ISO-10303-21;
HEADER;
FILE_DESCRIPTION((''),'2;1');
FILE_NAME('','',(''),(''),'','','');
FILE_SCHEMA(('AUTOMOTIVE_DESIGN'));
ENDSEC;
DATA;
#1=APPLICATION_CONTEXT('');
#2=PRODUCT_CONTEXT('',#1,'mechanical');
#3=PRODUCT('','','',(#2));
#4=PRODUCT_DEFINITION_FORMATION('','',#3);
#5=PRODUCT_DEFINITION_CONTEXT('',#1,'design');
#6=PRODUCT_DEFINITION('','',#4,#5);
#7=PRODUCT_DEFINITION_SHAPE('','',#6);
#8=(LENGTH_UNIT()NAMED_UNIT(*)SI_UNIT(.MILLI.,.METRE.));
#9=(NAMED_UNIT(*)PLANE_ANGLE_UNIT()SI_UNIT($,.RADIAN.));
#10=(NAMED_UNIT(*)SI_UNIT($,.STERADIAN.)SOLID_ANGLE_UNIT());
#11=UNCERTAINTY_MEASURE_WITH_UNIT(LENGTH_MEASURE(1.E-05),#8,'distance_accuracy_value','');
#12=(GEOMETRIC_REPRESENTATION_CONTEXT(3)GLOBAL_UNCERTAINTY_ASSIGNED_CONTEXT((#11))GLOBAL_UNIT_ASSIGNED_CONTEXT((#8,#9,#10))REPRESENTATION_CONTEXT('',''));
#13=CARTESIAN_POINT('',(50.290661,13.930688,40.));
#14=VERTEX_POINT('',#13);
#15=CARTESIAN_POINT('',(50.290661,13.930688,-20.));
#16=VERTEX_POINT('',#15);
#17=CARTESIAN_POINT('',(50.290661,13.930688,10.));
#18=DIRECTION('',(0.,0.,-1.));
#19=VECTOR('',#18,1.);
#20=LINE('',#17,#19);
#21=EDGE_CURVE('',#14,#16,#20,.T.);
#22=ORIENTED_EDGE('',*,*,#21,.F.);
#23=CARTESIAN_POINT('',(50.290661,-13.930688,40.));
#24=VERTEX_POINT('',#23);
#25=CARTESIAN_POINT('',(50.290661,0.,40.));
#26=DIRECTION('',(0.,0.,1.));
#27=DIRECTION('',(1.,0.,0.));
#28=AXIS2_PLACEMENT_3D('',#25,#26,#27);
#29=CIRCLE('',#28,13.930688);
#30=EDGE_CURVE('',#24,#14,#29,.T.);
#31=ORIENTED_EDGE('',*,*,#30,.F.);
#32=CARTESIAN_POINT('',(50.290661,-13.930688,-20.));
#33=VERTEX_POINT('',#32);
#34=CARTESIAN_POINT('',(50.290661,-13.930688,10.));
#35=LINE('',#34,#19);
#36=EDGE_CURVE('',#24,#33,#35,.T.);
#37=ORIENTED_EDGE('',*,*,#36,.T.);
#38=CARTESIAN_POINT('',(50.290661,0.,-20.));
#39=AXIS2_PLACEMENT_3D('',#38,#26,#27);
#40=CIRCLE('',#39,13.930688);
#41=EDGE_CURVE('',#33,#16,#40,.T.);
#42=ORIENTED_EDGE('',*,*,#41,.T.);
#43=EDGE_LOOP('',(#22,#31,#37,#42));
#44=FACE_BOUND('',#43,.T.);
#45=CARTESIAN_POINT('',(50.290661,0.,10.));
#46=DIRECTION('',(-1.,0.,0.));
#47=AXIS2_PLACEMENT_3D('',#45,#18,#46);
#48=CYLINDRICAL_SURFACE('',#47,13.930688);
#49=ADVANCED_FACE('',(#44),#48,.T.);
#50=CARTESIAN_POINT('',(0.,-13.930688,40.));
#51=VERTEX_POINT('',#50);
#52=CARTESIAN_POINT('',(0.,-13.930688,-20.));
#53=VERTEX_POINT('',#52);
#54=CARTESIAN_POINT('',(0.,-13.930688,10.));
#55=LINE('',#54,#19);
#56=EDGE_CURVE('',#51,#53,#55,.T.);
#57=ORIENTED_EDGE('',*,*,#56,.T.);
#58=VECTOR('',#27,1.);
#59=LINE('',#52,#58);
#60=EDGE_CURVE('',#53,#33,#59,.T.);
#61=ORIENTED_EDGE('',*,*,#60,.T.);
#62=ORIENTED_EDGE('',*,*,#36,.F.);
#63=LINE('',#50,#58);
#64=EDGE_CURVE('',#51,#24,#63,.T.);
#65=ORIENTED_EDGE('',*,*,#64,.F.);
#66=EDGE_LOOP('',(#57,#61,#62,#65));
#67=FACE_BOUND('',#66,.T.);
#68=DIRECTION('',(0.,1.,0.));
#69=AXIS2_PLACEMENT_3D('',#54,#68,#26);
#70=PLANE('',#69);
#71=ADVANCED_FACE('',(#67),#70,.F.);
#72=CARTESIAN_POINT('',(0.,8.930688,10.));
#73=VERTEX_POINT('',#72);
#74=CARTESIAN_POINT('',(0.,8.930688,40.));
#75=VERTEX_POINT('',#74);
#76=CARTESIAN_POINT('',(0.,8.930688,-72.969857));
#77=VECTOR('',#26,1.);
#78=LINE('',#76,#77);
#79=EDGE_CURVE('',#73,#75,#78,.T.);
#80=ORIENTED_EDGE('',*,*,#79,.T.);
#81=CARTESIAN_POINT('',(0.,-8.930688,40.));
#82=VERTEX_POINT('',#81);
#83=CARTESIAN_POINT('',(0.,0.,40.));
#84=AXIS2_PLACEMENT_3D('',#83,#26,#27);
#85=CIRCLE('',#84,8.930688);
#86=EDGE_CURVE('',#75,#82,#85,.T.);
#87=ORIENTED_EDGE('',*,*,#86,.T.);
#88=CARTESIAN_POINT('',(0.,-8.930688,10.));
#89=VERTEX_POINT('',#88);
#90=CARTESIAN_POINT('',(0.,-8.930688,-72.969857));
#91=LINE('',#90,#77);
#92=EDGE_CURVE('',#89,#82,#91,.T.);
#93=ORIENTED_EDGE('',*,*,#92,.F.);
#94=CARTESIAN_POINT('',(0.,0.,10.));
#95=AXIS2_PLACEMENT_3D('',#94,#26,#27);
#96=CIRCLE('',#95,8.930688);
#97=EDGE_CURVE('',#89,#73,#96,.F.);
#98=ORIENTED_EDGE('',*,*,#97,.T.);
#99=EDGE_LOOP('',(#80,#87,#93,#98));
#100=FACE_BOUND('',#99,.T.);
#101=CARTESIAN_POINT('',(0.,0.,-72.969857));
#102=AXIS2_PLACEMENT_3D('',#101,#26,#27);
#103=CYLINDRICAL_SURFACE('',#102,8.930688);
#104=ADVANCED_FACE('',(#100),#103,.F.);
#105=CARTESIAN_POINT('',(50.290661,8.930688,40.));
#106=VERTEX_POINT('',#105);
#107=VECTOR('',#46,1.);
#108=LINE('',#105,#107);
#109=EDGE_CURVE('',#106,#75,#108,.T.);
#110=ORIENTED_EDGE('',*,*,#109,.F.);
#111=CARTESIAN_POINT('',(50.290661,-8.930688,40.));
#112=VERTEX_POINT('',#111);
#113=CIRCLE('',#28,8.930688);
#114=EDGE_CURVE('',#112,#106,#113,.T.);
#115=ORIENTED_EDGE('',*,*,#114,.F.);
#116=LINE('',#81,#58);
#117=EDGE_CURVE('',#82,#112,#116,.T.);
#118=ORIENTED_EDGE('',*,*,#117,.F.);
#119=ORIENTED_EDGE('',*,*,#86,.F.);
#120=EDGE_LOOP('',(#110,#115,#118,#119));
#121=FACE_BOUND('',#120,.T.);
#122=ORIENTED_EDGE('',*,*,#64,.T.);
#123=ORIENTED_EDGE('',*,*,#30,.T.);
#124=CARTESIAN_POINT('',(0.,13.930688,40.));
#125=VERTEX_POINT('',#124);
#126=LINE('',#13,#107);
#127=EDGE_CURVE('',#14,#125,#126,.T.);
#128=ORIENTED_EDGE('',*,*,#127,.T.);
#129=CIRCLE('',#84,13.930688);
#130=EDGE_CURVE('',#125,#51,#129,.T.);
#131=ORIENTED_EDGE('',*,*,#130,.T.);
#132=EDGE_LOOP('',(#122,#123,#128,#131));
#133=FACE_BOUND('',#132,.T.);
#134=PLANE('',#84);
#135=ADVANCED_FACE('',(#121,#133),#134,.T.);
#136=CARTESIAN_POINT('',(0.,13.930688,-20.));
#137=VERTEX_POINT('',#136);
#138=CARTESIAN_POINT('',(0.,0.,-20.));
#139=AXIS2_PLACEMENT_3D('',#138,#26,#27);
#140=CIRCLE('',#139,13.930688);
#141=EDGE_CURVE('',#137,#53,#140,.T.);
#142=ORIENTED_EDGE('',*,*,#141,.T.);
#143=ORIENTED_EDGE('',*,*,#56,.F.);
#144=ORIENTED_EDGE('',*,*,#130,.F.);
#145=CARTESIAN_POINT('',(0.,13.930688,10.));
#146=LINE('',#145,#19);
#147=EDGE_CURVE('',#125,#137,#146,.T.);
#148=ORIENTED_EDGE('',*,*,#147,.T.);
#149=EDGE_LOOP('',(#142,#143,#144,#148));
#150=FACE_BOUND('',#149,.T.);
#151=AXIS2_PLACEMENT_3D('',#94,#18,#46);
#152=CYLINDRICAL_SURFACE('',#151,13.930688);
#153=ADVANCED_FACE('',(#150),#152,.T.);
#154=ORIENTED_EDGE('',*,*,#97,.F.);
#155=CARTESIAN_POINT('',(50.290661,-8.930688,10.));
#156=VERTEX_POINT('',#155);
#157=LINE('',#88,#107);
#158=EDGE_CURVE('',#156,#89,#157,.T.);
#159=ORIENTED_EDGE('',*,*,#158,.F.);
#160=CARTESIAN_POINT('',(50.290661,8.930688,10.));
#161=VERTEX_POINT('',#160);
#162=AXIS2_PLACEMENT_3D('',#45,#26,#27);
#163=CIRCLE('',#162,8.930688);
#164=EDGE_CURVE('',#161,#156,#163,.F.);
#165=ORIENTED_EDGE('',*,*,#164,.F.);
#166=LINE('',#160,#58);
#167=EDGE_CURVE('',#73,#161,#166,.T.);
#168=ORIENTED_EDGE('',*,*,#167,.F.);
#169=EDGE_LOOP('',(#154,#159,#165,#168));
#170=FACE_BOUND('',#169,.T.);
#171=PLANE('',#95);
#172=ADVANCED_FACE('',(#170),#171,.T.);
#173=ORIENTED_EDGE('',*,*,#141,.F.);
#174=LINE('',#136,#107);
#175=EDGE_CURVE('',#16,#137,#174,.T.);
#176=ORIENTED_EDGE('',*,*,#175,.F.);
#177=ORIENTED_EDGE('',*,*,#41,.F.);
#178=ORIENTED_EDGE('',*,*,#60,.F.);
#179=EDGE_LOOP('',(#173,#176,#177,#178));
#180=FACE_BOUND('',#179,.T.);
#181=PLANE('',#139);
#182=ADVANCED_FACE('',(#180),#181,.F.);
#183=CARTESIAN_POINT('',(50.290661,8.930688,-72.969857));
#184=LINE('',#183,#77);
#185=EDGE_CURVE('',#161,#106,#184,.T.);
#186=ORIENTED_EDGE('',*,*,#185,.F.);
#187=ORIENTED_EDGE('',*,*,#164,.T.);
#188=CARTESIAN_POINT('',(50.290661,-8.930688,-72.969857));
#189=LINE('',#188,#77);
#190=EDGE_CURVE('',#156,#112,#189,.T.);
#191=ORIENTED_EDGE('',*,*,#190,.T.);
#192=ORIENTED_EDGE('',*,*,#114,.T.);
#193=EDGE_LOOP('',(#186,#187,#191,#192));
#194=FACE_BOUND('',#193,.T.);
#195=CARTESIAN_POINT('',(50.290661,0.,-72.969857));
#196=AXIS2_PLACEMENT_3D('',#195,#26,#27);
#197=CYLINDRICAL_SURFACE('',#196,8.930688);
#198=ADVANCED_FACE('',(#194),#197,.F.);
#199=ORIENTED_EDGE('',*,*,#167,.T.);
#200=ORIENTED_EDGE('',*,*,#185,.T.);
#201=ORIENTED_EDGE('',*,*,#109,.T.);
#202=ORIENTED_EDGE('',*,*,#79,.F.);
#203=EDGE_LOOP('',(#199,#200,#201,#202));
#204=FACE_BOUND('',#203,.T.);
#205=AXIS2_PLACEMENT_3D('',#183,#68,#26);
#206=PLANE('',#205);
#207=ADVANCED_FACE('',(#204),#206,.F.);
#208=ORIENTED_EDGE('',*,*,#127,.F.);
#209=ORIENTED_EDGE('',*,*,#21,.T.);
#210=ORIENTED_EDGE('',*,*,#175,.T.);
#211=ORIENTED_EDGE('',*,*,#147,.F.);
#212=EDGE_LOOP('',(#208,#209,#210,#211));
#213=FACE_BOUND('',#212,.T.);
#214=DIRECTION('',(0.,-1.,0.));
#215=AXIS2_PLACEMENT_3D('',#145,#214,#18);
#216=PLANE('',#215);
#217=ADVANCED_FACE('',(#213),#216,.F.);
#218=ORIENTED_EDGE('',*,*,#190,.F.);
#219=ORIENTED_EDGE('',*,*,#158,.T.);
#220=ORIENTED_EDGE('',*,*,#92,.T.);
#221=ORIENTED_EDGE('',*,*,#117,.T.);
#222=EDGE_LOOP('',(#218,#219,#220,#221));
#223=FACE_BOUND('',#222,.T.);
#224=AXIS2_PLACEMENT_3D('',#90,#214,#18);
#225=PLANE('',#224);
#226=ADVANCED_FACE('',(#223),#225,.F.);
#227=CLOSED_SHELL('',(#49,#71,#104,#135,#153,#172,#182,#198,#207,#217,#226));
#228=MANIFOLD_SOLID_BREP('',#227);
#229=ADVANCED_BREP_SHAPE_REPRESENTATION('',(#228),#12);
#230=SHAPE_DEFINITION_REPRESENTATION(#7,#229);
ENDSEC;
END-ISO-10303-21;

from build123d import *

# Parameters (mm, degrees)
EXTRUDE_1_DEPTH      = 10
EXTRUDE_1_DEPTH_BACK = 20
EXTRUDE_1_2_DEPTH    = 30


with BuildPart() as part:
    # 草图1 → Extrude 1 (new, two sides: drawn at the far end of the back side and taken through both)
    with BuildSketch(Plane.XY.offset(-EXTRUDE_1_DEPTH_BACK)):
        with BuildLine():
            Line((0, 13.930688276), (50.29066082, 13.930688276))
            ThreePointArc((50.29066082, 13.930688276), (64.221349097, 0), (50.29066082, -13.930688276))
            Line((50.29066082, -13.930688276), (0, -13.930688276))
            ThreePointArc((0, -13.930688276), (-13.930688276, 0), (0, 13.930688276))
        make_face()
    extrude(amount=EXTRUDE_1_DEPTH + EXTRUDE_1_DEPTH_BACK)

    # 草图7 → Extrude 1 2 (add)
    with BuildSketch(Plane.XY.offset(10)):
        with BuildLine():
            Line((50.29066082, 13.930688276), (0, 13.930688276))
            ThreePointArc((0, 13.930688276), (-13.930688276, 0), (0, -13.930688276))
            Line((0, -13.930688276), (50.29066082, -13.930688276))
            ThreePointArc((50.29066082, -13.930688276), (64.221349097, 0), (50.29066082, 13.930688276))
        make_face()
        with BuildLine():
            Line((50.29066082, 8.930688276), (0, 8.930688276))
            ThreePointArc((0, 8.930688276), (-8.930688276, 0), (0, -8.930688276))
            Line((0, -8.930688276), (50.29066082, -8.930688276))
            ThreePointArc((50.29066082, -8.930688276), (59.221349097, 0), (50.29066082, 8.930688276))
        make_face(mode=Mode.SUBTRACT)
    extrude(amount=EXTRUDE_1_2_DEPTH)


solid = part.part
